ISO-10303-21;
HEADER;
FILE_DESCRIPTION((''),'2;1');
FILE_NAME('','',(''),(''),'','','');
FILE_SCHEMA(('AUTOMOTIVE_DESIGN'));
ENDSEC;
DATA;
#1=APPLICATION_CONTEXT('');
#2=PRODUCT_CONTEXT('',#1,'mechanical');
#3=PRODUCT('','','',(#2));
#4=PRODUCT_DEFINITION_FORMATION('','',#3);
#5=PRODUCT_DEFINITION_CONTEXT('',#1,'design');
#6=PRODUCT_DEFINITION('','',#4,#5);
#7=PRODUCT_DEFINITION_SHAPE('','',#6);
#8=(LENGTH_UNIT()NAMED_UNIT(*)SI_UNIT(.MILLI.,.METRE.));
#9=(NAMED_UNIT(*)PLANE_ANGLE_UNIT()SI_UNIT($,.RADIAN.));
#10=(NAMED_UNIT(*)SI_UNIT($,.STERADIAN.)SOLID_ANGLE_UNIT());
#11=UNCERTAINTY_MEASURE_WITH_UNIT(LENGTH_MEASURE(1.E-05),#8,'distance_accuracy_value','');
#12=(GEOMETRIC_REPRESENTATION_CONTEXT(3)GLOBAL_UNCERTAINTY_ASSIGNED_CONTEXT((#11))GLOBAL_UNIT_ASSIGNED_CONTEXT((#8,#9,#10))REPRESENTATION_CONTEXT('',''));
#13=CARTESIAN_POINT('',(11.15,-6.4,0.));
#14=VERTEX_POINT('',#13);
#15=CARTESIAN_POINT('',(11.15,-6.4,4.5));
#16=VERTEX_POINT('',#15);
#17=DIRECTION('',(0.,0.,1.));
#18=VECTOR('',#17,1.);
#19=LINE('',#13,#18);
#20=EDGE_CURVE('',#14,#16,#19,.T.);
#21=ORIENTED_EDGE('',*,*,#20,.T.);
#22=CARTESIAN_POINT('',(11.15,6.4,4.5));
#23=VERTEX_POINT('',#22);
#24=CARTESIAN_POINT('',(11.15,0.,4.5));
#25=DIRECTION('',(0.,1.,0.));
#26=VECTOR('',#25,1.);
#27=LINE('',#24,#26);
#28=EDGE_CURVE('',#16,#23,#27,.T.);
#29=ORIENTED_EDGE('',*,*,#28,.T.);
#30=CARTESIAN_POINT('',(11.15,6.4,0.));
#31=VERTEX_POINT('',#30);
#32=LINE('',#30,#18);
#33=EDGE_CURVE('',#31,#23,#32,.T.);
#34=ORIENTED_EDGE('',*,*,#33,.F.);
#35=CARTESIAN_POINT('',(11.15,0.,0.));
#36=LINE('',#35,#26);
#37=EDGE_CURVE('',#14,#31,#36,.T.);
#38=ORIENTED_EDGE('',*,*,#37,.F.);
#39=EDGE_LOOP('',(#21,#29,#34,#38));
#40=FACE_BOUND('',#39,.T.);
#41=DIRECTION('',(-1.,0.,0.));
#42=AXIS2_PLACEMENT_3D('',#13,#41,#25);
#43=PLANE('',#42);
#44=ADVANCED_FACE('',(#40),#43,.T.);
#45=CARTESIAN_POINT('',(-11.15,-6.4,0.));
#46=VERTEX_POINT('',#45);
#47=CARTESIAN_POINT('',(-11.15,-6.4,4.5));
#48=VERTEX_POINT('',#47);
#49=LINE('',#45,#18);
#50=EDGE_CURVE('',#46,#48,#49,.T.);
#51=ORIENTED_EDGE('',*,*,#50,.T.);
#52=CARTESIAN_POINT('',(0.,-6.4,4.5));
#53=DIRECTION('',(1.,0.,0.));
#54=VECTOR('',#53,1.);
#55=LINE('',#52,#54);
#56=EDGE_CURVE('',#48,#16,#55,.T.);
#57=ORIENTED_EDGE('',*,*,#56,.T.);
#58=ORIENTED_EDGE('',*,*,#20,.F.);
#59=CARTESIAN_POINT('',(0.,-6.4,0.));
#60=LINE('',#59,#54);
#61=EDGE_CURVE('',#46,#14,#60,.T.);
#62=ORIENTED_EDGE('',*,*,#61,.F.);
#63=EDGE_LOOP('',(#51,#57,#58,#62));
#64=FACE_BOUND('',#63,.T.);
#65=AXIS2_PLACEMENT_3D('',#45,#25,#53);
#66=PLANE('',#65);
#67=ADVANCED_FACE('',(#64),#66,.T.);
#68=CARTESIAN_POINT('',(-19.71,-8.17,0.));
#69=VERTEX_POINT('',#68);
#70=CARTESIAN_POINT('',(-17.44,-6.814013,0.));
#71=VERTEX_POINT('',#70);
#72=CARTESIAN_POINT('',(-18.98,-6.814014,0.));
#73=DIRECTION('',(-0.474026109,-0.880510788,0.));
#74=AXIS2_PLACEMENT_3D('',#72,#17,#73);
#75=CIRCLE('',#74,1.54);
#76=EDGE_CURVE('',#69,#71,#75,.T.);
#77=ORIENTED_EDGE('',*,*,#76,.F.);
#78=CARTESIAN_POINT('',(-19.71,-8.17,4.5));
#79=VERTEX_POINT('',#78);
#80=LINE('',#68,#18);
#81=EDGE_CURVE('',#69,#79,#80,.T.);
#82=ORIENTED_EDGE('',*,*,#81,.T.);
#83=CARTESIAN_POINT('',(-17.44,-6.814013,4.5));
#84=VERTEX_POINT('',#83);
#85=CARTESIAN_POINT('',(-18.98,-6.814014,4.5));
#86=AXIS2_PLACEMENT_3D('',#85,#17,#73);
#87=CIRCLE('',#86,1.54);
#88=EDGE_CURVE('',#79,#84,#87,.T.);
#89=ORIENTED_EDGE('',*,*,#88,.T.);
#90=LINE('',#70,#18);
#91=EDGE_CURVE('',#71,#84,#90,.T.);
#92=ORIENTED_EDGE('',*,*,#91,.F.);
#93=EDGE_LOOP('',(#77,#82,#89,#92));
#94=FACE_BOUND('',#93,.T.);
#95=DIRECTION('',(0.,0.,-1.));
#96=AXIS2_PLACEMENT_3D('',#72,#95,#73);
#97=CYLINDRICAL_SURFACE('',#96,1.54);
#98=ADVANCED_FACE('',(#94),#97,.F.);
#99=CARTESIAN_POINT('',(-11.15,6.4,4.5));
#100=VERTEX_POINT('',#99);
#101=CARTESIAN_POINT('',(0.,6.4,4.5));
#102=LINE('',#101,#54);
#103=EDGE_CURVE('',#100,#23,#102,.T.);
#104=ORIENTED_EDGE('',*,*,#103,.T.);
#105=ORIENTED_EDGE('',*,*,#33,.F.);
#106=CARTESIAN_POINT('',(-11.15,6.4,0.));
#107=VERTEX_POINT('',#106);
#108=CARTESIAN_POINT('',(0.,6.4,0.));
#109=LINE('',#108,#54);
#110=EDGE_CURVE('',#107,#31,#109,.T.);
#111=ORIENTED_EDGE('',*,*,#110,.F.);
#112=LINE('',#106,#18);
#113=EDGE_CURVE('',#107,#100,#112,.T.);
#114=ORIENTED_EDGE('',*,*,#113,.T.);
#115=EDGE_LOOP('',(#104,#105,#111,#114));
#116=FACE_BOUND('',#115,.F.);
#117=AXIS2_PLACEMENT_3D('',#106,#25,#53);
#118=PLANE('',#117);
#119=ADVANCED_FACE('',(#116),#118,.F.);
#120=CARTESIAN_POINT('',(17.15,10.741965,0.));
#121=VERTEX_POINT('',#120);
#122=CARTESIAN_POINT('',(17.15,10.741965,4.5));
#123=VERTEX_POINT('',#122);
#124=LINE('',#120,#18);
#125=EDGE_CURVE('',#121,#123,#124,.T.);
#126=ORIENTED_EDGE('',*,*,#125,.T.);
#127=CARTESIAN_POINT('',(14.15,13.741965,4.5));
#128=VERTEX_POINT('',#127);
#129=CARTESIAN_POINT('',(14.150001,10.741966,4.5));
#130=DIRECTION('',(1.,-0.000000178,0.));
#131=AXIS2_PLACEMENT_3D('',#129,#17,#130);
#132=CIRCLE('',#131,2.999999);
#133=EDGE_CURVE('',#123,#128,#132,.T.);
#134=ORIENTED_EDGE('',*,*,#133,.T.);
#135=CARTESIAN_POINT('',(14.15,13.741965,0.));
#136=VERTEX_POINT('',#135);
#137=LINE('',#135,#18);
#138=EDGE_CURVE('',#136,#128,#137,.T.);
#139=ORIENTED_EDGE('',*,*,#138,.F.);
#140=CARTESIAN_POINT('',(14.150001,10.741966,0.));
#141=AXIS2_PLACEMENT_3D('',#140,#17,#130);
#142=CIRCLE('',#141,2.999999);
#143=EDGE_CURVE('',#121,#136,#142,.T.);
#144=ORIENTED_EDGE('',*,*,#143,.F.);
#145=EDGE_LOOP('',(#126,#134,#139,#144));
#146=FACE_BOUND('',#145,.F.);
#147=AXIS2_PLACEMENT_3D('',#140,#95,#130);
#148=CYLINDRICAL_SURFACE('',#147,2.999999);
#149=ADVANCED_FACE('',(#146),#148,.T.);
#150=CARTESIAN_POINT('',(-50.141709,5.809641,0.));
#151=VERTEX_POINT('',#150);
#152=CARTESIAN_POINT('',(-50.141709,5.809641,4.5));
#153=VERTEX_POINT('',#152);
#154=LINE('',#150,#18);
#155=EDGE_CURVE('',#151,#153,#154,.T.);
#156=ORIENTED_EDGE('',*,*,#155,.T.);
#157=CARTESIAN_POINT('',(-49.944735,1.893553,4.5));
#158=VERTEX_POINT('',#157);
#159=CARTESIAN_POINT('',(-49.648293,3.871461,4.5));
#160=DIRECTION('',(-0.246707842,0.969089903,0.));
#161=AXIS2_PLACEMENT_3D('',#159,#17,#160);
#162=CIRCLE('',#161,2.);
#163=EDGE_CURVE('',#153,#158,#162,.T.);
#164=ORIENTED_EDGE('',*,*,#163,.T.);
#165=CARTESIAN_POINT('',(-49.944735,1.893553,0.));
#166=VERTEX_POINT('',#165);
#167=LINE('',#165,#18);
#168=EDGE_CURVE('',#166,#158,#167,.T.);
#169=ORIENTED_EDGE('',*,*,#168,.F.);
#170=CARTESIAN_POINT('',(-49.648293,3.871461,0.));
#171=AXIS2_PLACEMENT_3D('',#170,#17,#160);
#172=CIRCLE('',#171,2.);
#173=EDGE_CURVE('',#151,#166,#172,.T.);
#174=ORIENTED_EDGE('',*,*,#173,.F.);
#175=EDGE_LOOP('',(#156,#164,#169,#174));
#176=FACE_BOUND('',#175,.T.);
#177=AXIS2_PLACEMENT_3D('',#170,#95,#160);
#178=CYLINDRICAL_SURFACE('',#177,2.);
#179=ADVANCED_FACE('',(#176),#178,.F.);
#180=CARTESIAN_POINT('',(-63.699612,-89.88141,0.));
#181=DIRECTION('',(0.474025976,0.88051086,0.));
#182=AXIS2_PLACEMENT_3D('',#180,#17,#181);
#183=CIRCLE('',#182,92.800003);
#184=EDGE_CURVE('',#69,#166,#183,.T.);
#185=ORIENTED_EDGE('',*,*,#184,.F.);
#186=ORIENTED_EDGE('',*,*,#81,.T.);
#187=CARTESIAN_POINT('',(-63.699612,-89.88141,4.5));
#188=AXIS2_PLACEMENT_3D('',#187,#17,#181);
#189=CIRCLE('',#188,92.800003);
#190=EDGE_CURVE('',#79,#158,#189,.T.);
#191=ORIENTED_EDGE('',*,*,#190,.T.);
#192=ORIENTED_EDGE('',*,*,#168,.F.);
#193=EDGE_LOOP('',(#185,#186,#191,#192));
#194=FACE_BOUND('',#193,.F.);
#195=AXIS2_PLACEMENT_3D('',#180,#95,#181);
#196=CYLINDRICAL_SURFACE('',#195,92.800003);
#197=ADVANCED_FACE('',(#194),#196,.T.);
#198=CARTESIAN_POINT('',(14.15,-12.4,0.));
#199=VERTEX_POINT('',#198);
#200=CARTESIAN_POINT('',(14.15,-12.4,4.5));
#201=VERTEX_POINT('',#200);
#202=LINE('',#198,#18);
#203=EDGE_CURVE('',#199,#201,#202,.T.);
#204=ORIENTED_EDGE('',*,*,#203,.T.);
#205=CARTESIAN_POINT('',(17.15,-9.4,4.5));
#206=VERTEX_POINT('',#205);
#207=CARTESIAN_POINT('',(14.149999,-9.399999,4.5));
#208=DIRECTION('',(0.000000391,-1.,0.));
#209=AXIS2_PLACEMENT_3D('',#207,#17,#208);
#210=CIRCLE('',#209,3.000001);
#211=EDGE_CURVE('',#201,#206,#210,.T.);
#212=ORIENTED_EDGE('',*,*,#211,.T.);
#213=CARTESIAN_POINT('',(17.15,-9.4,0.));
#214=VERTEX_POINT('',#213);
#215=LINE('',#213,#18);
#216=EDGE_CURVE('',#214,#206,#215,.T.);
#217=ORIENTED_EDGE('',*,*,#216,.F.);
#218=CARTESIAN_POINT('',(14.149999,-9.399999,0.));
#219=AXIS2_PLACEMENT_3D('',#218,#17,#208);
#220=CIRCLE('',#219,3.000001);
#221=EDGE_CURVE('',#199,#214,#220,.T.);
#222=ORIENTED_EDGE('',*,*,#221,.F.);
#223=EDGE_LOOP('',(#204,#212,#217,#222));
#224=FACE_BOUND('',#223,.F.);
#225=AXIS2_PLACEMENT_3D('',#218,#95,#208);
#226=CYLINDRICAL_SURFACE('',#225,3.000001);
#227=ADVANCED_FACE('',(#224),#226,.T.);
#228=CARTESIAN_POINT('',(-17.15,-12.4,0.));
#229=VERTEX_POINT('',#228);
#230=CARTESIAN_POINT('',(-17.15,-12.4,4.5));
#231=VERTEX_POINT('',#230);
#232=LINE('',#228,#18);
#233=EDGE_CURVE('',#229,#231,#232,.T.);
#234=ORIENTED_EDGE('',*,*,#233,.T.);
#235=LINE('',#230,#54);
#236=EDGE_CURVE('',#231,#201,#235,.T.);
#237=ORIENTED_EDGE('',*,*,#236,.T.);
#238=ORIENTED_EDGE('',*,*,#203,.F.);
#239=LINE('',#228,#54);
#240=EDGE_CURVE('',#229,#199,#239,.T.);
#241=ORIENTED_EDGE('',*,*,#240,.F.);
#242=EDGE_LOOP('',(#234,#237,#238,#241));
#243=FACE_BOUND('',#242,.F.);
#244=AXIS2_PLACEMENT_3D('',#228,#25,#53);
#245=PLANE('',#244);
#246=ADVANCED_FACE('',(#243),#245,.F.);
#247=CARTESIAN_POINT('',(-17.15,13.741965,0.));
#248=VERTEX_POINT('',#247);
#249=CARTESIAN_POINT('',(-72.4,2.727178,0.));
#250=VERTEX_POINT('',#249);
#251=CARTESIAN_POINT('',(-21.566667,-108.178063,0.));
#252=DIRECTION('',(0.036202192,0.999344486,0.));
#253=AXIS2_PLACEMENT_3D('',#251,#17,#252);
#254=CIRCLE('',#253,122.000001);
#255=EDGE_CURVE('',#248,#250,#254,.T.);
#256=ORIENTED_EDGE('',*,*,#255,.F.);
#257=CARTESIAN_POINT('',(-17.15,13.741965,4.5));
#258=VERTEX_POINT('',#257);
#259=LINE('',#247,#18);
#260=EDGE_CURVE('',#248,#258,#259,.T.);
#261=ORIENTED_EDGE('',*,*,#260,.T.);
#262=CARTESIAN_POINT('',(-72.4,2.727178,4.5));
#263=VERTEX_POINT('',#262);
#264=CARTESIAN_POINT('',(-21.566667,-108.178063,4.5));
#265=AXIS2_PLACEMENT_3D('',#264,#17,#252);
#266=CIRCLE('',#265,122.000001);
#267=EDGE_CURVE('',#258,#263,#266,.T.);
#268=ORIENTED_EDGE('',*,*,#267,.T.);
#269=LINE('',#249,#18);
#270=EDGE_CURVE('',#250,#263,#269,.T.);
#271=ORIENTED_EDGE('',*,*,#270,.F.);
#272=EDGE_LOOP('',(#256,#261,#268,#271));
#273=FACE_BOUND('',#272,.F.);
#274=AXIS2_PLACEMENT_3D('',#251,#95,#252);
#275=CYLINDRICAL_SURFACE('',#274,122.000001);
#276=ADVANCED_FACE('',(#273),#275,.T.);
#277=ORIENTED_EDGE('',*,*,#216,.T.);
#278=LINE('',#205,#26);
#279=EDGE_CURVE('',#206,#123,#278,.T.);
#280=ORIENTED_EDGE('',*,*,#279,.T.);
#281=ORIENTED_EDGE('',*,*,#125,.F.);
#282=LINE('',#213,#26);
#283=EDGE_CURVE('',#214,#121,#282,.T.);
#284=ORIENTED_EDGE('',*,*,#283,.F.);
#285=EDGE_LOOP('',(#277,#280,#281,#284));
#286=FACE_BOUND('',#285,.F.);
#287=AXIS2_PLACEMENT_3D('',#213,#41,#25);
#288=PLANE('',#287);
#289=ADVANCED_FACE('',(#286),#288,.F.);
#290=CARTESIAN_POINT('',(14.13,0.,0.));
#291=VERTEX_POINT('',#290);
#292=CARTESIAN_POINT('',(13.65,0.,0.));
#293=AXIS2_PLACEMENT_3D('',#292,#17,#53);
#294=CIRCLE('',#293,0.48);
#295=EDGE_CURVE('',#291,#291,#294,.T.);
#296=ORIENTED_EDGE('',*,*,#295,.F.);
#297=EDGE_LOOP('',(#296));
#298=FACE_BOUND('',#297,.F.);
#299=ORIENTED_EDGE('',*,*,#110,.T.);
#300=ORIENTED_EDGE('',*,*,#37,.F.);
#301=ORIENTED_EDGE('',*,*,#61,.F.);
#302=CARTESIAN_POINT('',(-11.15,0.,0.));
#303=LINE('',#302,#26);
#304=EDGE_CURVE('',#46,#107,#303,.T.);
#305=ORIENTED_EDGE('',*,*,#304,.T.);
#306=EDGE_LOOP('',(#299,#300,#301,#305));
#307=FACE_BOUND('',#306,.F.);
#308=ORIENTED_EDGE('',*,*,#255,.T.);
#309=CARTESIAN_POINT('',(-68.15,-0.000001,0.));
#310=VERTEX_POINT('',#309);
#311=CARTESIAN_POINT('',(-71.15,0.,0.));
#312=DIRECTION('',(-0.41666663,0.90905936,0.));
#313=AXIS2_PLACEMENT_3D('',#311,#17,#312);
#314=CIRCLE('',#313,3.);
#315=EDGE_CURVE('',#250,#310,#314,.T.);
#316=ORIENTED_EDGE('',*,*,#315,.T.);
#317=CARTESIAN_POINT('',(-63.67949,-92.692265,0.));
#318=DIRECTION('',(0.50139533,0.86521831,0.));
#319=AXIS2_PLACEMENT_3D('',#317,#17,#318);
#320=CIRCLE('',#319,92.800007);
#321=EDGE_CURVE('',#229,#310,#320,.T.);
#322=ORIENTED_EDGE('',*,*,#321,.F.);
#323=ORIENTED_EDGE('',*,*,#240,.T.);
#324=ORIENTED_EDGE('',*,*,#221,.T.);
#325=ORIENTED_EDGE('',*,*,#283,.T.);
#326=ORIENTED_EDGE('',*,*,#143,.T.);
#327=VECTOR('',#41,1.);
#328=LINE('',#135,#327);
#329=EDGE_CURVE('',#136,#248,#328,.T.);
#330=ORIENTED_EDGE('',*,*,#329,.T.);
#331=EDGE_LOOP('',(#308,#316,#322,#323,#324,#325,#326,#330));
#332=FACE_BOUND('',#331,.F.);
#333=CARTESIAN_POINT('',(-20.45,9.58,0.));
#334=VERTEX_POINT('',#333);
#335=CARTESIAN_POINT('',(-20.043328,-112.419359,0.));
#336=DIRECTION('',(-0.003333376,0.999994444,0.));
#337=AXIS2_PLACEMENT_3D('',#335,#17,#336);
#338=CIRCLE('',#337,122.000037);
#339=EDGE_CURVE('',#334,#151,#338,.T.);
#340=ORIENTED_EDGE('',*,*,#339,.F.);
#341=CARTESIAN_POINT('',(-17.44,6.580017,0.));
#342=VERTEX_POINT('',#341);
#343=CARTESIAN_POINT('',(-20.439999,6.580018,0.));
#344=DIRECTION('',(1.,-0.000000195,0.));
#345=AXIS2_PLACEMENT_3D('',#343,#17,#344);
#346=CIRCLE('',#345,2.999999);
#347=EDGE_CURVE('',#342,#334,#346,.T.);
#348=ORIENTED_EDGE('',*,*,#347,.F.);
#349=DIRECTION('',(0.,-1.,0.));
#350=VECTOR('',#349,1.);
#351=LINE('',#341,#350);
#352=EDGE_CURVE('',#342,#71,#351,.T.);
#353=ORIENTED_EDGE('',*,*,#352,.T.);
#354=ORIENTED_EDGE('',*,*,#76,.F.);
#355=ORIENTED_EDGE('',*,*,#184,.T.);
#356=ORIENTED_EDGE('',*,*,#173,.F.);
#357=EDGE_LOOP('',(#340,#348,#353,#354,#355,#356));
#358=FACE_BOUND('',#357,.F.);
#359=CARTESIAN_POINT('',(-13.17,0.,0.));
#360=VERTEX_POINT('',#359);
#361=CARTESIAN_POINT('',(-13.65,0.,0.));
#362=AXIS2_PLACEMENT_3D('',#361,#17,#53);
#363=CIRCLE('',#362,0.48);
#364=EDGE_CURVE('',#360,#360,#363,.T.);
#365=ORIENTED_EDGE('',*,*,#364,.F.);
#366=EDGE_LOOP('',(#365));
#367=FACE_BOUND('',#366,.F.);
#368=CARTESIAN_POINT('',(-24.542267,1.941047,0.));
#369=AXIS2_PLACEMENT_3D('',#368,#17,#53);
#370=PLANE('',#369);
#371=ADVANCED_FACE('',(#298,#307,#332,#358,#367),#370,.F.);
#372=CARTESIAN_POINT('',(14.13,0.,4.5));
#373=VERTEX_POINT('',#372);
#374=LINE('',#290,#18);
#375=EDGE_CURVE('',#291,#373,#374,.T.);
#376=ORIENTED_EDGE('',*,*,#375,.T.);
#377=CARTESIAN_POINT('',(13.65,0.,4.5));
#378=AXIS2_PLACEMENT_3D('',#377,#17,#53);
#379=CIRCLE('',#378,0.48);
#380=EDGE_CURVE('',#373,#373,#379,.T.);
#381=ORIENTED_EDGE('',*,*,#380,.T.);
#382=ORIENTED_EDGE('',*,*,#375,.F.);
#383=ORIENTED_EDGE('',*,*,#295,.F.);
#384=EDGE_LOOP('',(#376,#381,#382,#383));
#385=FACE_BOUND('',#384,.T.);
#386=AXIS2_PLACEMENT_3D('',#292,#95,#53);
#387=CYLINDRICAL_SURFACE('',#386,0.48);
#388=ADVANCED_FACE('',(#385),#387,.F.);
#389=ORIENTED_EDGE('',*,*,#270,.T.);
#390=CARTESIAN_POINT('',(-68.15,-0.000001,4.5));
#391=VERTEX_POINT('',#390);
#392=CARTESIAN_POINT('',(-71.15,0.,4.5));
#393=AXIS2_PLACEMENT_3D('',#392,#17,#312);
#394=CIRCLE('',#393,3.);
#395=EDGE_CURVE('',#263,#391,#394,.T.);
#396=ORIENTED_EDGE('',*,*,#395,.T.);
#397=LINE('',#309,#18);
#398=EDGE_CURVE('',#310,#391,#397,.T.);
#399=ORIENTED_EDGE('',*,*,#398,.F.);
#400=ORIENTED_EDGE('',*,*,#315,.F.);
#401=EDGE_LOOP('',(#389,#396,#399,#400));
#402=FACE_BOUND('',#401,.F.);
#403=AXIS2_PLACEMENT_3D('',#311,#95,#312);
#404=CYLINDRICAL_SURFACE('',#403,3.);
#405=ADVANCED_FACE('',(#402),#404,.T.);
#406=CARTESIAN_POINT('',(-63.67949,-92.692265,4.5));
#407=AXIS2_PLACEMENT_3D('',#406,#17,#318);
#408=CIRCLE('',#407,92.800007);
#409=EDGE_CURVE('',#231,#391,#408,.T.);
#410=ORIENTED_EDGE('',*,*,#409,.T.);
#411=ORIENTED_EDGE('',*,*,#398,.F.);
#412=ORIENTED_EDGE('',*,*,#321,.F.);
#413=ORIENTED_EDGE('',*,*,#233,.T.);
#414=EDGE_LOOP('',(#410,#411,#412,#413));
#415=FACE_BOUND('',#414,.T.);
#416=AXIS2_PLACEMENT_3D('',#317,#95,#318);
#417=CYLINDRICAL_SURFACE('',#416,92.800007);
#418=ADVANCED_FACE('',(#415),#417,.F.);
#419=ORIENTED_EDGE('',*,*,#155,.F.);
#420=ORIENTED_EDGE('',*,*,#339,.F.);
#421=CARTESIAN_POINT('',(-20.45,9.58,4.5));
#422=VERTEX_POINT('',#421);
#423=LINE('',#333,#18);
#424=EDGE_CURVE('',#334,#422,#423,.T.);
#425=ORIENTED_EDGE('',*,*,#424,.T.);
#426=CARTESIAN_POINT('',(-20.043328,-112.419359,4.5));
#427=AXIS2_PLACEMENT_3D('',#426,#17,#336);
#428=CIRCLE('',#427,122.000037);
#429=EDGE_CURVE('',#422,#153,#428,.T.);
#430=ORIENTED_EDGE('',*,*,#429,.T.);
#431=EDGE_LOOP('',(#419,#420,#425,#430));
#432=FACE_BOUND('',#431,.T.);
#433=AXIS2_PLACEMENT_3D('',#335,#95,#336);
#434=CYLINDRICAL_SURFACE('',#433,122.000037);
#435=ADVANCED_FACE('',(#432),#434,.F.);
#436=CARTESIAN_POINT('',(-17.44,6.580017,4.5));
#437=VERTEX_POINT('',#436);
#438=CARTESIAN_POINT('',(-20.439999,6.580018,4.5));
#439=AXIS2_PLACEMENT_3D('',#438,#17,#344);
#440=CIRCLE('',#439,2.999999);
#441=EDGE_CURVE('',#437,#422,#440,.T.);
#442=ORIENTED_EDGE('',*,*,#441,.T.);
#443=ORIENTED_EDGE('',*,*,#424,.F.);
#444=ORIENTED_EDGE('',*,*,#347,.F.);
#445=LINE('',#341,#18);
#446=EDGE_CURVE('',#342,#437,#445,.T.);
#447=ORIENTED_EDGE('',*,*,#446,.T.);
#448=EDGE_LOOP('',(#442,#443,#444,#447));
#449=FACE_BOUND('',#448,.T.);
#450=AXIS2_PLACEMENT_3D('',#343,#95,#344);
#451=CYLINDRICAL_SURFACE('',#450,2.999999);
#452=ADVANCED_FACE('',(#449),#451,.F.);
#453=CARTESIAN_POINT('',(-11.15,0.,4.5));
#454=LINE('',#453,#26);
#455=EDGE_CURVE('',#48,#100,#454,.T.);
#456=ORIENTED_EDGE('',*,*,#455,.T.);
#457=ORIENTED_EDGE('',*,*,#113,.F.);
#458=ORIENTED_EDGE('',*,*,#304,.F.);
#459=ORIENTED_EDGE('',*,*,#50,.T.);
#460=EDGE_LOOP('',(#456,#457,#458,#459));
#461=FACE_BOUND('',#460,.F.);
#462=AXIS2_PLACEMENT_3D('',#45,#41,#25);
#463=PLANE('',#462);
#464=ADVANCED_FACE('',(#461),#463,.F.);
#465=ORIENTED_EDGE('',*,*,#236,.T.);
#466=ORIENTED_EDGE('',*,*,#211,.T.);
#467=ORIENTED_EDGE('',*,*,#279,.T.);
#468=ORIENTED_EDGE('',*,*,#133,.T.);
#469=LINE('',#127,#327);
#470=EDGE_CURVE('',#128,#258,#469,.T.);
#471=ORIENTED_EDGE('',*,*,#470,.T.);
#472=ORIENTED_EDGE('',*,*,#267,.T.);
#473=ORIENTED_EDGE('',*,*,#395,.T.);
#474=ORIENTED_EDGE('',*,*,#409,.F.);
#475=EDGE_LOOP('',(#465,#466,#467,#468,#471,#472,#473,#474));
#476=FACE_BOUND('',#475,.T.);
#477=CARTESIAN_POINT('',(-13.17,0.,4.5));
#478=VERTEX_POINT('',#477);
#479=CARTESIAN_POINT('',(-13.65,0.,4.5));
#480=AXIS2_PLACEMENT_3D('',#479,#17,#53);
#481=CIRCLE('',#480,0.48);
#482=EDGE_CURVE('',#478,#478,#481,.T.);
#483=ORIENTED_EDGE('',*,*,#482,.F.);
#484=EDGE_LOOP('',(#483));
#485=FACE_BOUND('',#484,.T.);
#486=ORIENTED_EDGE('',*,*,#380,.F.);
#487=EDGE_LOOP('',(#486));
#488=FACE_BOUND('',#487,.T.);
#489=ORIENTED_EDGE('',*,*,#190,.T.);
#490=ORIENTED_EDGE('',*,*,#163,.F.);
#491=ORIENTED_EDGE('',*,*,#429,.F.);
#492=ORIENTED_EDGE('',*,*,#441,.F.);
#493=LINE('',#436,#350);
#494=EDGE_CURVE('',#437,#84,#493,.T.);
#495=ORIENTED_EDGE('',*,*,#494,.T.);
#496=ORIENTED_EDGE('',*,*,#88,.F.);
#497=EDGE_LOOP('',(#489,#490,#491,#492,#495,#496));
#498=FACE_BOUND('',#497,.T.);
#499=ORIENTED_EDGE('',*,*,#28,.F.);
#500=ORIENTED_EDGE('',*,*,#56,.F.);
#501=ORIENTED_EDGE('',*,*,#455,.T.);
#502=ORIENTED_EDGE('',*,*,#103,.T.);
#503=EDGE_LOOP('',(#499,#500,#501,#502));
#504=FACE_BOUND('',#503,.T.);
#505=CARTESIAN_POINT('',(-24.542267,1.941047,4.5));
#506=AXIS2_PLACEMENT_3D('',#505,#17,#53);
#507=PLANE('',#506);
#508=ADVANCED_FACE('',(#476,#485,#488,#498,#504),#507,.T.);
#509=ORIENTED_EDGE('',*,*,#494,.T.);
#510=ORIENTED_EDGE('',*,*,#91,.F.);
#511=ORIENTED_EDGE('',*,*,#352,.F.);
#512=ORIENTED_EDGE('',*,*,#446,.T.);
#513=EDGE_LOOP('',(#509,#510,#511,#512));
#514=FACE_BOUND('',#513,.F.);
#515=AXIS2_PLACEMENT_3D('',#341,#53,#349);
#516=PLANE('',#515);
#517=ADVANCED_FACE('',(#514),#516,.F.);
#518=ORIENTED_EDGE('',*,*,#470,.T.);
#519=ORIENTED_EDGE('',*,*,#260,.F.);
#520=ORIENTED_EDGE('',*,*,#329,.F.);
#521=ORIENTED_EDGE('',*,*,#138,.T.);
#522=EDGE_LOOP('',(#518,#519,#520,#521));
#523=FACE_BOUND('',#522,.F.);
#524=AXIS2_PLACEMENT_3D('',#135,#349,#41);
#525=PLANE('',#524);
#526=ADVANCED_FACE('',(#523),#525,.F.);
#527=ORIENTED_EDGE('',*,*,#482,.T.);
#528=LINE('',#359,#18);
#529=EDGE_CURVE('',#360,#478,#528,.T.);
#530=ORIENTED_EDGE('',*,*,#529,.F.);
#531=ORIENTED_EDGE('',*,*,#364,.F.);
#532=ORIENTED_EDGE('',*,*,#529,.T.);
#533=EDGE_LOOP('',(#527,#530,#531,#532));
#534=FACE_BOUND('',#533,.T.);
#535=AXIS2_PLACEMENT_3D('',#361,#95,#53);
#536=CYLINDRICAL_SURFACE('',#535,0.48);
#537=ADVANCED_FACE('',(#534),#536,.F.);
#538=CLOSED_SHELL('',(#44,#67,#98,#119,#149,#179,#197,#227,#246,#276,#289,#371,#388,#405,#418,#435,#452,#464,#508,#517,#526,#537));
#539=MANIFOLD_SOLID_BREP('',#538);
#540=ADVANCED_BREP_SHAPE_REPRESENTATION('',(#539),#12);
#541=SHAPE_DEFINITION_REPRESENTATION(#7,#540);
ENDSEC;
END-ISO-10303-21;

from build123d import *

# Parameters (mm, degrees)
SKETCH_R  = 0.48
SKETCH_W  = 22.3
SKETCH_H  = 12.8
PAD_DEPTH = 4.5


with BuildPart() as part:
    # Sketch → Pad (new body)
    with BuildSketch(Plane.XY):
        with BuildLine():
            Line((-17.15, -12.4), (14.15, -12.4))
            ThreePointArc((14.15, -12.4), (16.27132, -11.52132), (17.15, -9.4))
            Line((17.15, -9.4), (17.15, 10.741965))
            ThreePointArc((17.15, 10.741965), (16.27132, 12.863286), (14.15, 13.741965))
            Line((14.15, 13.741965), (-17.15, 13.741965))
            ThreePointArc((-17.15, 13.741965), (-45.41951, 11.467422), (-72.4, 2.727178))
            ThreePointArc((-72.4, 2.727178), (-72.770186, -2.524876), (-68.15, -1e-06))
            ThreePointArc((-17.15, -12.4), (-41.755087, -2.51931), (-68.15, -1e-06))
        make_face()
        with Locations((-13.65, 0)):
            Circle(SKETCH_R, mode=Mode.SUBTRACT)
        with Locations((13.65, 0)):
            Circle(SKETCH_R, mode=Mode.SUBTRACT)
        Rectangle(SKETCH_W, SKETCH_H, mode=Mode.SUBTRACT)
        with BuildLine():
            Line((-17.44, 6.580017), (-17.44, -6.814013))
            ThreePointArc((-19.71, -8.17), (-18.190253, -8.136095), (-17.44, -6.814013))
            ThreePointArc((-19.71, -8.17), (-34.392185, -1.83077), (-49.944735, 1.893553))
            ThreePointArc((-50.141709, 5.809641), (-51.645768, 3.770991), (-49.944735, 1.893553))
            ThreePointArc((-20.45, 9.58), (-35.411915, 8.608801), (-50.141709, 5.809641))
            ThreePointArc((-17.44, 6.580017), (-18.322218, 8.70487), (-20.45, 9.58))
        make_face(mode=Mode.SUBTRACT)
    extrude(amount=PAD_DEPTH)


solid = part.part
